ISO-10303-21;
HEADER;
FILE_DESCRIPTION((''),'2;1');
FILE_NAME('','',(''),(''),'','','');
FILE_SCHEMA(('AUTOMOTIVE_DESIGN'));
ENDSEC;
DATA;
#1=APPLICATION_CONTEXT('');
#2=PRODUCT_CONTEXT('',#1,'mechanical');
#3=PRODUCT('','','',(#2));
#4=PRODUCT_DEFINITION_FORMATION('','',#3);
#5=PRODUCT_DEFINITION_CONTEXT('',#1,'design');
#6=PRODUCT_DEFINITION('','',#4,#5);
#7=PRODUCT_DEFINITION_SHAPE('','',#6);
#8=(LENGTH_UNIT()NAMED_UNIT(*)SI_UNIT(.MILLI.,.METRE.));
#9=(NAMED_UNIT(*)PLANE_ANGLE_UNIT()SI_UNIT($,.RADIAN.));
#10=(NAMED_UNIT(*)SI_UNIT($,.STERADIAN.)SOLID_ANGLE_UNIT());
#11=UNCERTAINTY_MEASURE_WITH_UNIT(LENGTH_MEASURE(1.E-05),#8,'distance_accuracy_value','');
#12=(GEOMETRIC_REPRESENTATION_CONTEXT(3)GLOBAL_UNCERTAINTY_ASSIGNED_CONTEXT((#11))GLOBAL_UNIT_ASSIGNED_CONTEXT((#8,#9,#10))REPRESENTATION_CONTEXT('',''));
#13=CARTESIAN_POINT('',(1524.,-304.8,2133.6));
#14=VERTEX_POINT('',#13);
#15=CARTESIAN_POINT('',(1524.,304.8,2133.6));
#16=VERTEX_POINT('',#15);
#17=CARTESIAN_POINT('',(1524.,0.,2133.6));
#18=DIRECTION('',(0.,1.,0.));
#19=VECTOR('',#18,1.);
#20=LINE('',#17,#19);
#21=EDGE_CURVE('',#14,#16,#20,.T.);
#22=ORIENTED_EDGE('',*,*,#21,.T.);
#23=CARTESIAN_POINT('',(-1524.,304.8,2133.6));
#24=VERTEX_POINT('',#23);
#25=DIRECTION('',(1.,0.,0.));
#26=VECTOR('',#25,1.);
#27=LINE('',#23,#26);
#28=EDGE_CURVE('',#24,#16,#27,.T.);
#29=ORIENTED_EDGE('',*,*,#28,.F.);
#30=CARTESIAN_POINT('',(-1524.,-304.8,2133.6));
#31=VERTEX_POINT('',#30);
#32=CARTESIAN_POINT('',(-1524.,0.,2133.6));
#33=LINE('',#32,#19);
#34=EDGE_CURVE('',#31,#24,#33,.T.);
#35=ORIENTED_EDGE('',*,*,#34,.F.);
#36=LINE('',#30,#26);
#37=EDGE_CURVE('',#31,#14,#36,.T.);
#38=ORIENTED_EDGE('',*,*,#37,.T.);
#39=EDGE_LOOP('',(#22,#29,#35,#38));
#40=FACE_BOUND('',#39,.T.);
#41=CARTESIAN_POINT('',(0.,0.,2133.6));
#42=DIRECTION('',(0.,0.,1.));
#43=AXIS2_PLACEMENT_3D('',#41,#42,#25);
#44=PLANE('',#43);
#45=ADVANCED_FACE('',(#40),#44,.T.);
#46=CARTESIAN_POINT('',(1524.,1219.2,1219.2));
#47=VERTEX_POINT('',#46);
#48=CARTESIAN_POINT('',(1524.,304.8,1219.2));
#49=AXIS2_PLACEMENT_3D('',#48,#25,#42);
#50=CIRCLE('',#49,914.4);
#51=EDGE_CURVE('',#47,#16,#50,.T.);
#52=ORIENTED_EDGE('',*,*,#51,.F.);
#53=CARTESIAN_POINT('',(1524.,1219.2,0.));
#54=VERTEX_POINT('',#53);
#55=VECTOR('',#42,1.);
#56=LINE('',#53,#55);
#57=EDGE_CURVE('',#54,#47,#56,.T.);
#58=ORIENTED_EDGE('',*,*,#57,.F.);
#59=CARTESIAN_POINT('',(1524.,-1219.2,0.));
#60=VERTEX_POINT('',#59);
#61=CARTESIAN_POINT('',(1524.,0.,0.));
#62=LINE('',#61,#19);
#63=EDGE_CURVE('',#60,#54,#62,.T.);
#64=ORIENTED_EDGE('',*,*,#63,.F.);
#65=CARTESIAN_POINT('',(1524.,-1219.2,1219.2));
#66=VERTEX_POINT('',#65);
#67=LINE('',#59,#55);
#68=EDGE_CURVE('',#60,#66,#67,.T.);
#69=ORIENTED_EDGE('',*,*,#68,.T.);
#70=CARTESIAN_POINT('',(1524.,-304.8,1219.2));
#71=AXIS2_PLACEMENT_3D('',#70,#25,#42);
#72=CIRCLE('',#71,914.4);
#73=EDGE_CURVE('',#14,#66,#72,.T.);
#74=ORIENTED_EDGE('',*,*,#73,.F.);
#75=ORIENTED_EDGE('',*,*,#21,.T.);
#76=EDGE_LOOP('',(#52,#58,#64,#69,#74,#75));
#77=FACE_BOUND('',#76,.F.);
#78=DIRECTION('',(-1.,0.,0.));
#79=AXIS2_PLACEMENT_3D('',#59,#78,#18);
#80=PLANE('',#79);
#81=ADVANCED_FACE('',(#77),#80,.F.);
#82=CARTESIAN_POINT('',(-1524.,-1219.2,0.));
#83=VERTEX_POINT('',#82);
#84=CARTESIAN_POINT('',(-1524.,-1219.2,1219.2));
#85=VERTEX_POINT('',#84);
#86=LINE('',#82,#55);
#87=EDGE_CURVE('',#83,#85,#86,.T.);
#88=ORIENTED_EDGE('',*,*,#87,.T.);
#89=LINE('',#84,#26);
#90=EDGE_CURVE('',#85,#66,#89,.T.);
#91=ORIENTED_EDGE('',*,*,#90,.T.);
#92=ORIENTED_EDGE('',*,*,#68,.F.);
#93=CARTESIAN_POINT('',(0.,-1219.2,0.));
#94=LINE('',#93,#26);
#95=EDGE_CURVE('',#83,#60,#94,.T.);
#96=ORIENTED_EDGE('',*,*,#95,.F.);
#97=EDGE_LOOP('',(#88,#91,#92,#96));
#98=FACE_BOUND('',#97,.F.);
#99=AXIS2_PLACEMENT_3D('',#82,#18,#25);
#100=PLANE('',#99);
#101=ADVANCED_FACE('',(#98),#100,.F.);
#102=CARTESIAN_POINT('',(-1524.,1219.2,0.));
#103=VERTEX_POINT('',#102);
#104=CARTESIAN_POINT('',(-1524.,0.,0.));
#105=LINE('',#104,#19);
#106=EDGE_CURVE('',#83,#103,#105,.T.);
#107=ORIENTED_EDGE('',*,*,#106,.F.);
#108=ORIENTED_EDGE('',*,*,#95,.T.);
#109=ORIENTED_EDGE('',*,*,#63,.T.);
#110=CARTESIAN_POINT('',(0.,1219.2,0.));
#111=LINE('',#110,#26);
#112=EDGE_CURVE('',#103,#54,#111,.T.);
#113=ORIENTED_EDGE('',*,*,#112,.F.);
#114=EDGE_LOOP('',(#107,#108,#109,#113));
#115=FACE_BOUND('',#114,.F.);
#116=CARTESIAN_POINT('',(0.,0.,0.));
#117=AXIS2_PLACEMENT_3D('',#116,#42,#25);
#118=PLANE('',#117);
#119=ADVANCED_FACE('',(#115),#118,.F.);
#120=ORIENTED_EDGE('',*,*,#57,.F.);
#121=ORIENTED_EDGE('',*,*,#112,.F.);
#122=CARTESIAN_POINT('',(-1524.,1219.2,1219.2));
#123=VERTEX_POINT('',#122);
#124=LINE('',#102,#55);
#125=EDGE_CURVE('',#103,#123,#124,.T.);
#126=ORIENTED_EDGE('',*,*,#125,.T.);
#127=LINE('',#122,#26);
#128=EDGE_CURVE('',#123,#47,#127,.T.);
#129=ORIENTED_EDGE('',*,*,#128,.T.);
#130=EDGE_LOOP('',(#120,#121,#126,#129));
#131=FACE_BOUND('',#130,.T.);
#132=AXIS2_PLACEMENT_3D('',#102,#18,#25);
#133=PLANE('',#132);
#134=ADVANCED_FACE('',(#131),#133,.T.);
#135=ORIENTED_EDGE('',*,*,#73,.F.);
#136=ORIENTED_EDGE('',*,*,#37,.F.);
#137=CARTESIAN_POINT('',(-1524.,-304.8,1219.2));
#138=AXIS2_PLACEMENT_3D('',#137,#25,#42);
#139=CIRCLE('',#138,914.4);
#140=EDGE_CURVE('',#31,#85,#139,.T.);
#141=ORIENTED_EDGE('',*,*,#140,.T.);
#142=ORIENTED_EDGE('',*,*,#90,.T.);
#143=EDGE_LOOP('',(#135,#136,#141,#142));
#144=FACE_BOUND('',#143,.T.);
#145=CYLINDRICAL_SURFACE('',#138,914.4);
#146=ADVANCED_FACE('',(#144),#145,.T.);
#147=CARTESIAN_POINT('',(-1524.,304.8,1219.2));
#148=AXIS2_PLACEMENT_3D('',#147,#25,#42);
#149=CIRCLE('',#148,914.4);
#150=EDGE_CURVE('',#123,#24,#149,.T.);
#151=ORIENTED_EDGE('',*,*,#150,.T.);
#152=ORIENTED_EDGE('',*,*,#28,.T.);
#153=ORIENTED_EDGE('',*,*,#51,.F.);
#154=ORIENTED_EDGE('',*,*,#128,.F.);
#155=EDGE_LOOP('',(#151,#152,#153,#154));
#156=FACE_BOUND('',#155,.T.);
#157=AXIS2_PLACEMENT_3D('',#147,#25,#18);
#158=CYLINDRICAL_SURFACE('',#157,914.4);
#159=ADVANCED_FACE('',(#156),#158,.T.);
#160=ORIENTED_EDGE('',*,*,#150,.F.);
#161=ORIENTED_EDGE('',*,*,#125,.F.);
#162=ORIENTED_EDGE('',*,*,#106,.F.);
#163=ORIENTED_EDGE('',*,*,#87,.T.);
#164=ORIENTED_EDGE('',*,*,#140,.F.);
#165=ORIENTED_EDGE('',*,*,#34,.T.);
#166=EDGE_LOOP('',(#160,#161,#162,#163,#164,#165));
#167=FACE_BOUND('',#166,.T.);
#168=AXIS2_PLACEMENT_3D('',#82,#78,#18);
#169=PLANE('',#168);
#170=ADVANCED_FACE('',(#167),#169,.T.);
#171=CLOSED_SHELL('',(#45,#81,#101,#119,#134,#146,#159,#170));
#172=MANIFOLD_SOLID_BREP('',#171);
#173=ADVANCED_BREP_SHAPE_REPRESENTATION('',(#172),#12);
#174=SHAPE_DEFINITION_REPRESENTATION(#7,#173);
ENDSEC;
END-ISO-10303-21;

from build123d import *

# Parameters (mm, degrees)
F0_W     = 3048
F0_H     = 2438.4
F1_DEPTH = 2133.6
F2_R     = 914.4
F3_R     = 914.4


with BuildPart() as f1:
    # F0 (on Top) → F1 (new body)
    with BuildSketch(Plane.XY):
        Rectangle(F0_W, F0_H)
    extrude(amount=F1_DEPTH)

    # F2
    f2_edges = [f1.edges().sort_by_distance(p)[0] for p in [
        (0, 1219.2, 2133.6),
    ]]
    fillet(f2_edges, radius=F2_R)

    # F3
    f3_edges = [f1.edges().sort_by_distance(p)[0] for p in [
        (0, -1219.2, 2133.6),
    ]]
    fillet(f3_edges, radius=F3_R)


solid = f1.part
